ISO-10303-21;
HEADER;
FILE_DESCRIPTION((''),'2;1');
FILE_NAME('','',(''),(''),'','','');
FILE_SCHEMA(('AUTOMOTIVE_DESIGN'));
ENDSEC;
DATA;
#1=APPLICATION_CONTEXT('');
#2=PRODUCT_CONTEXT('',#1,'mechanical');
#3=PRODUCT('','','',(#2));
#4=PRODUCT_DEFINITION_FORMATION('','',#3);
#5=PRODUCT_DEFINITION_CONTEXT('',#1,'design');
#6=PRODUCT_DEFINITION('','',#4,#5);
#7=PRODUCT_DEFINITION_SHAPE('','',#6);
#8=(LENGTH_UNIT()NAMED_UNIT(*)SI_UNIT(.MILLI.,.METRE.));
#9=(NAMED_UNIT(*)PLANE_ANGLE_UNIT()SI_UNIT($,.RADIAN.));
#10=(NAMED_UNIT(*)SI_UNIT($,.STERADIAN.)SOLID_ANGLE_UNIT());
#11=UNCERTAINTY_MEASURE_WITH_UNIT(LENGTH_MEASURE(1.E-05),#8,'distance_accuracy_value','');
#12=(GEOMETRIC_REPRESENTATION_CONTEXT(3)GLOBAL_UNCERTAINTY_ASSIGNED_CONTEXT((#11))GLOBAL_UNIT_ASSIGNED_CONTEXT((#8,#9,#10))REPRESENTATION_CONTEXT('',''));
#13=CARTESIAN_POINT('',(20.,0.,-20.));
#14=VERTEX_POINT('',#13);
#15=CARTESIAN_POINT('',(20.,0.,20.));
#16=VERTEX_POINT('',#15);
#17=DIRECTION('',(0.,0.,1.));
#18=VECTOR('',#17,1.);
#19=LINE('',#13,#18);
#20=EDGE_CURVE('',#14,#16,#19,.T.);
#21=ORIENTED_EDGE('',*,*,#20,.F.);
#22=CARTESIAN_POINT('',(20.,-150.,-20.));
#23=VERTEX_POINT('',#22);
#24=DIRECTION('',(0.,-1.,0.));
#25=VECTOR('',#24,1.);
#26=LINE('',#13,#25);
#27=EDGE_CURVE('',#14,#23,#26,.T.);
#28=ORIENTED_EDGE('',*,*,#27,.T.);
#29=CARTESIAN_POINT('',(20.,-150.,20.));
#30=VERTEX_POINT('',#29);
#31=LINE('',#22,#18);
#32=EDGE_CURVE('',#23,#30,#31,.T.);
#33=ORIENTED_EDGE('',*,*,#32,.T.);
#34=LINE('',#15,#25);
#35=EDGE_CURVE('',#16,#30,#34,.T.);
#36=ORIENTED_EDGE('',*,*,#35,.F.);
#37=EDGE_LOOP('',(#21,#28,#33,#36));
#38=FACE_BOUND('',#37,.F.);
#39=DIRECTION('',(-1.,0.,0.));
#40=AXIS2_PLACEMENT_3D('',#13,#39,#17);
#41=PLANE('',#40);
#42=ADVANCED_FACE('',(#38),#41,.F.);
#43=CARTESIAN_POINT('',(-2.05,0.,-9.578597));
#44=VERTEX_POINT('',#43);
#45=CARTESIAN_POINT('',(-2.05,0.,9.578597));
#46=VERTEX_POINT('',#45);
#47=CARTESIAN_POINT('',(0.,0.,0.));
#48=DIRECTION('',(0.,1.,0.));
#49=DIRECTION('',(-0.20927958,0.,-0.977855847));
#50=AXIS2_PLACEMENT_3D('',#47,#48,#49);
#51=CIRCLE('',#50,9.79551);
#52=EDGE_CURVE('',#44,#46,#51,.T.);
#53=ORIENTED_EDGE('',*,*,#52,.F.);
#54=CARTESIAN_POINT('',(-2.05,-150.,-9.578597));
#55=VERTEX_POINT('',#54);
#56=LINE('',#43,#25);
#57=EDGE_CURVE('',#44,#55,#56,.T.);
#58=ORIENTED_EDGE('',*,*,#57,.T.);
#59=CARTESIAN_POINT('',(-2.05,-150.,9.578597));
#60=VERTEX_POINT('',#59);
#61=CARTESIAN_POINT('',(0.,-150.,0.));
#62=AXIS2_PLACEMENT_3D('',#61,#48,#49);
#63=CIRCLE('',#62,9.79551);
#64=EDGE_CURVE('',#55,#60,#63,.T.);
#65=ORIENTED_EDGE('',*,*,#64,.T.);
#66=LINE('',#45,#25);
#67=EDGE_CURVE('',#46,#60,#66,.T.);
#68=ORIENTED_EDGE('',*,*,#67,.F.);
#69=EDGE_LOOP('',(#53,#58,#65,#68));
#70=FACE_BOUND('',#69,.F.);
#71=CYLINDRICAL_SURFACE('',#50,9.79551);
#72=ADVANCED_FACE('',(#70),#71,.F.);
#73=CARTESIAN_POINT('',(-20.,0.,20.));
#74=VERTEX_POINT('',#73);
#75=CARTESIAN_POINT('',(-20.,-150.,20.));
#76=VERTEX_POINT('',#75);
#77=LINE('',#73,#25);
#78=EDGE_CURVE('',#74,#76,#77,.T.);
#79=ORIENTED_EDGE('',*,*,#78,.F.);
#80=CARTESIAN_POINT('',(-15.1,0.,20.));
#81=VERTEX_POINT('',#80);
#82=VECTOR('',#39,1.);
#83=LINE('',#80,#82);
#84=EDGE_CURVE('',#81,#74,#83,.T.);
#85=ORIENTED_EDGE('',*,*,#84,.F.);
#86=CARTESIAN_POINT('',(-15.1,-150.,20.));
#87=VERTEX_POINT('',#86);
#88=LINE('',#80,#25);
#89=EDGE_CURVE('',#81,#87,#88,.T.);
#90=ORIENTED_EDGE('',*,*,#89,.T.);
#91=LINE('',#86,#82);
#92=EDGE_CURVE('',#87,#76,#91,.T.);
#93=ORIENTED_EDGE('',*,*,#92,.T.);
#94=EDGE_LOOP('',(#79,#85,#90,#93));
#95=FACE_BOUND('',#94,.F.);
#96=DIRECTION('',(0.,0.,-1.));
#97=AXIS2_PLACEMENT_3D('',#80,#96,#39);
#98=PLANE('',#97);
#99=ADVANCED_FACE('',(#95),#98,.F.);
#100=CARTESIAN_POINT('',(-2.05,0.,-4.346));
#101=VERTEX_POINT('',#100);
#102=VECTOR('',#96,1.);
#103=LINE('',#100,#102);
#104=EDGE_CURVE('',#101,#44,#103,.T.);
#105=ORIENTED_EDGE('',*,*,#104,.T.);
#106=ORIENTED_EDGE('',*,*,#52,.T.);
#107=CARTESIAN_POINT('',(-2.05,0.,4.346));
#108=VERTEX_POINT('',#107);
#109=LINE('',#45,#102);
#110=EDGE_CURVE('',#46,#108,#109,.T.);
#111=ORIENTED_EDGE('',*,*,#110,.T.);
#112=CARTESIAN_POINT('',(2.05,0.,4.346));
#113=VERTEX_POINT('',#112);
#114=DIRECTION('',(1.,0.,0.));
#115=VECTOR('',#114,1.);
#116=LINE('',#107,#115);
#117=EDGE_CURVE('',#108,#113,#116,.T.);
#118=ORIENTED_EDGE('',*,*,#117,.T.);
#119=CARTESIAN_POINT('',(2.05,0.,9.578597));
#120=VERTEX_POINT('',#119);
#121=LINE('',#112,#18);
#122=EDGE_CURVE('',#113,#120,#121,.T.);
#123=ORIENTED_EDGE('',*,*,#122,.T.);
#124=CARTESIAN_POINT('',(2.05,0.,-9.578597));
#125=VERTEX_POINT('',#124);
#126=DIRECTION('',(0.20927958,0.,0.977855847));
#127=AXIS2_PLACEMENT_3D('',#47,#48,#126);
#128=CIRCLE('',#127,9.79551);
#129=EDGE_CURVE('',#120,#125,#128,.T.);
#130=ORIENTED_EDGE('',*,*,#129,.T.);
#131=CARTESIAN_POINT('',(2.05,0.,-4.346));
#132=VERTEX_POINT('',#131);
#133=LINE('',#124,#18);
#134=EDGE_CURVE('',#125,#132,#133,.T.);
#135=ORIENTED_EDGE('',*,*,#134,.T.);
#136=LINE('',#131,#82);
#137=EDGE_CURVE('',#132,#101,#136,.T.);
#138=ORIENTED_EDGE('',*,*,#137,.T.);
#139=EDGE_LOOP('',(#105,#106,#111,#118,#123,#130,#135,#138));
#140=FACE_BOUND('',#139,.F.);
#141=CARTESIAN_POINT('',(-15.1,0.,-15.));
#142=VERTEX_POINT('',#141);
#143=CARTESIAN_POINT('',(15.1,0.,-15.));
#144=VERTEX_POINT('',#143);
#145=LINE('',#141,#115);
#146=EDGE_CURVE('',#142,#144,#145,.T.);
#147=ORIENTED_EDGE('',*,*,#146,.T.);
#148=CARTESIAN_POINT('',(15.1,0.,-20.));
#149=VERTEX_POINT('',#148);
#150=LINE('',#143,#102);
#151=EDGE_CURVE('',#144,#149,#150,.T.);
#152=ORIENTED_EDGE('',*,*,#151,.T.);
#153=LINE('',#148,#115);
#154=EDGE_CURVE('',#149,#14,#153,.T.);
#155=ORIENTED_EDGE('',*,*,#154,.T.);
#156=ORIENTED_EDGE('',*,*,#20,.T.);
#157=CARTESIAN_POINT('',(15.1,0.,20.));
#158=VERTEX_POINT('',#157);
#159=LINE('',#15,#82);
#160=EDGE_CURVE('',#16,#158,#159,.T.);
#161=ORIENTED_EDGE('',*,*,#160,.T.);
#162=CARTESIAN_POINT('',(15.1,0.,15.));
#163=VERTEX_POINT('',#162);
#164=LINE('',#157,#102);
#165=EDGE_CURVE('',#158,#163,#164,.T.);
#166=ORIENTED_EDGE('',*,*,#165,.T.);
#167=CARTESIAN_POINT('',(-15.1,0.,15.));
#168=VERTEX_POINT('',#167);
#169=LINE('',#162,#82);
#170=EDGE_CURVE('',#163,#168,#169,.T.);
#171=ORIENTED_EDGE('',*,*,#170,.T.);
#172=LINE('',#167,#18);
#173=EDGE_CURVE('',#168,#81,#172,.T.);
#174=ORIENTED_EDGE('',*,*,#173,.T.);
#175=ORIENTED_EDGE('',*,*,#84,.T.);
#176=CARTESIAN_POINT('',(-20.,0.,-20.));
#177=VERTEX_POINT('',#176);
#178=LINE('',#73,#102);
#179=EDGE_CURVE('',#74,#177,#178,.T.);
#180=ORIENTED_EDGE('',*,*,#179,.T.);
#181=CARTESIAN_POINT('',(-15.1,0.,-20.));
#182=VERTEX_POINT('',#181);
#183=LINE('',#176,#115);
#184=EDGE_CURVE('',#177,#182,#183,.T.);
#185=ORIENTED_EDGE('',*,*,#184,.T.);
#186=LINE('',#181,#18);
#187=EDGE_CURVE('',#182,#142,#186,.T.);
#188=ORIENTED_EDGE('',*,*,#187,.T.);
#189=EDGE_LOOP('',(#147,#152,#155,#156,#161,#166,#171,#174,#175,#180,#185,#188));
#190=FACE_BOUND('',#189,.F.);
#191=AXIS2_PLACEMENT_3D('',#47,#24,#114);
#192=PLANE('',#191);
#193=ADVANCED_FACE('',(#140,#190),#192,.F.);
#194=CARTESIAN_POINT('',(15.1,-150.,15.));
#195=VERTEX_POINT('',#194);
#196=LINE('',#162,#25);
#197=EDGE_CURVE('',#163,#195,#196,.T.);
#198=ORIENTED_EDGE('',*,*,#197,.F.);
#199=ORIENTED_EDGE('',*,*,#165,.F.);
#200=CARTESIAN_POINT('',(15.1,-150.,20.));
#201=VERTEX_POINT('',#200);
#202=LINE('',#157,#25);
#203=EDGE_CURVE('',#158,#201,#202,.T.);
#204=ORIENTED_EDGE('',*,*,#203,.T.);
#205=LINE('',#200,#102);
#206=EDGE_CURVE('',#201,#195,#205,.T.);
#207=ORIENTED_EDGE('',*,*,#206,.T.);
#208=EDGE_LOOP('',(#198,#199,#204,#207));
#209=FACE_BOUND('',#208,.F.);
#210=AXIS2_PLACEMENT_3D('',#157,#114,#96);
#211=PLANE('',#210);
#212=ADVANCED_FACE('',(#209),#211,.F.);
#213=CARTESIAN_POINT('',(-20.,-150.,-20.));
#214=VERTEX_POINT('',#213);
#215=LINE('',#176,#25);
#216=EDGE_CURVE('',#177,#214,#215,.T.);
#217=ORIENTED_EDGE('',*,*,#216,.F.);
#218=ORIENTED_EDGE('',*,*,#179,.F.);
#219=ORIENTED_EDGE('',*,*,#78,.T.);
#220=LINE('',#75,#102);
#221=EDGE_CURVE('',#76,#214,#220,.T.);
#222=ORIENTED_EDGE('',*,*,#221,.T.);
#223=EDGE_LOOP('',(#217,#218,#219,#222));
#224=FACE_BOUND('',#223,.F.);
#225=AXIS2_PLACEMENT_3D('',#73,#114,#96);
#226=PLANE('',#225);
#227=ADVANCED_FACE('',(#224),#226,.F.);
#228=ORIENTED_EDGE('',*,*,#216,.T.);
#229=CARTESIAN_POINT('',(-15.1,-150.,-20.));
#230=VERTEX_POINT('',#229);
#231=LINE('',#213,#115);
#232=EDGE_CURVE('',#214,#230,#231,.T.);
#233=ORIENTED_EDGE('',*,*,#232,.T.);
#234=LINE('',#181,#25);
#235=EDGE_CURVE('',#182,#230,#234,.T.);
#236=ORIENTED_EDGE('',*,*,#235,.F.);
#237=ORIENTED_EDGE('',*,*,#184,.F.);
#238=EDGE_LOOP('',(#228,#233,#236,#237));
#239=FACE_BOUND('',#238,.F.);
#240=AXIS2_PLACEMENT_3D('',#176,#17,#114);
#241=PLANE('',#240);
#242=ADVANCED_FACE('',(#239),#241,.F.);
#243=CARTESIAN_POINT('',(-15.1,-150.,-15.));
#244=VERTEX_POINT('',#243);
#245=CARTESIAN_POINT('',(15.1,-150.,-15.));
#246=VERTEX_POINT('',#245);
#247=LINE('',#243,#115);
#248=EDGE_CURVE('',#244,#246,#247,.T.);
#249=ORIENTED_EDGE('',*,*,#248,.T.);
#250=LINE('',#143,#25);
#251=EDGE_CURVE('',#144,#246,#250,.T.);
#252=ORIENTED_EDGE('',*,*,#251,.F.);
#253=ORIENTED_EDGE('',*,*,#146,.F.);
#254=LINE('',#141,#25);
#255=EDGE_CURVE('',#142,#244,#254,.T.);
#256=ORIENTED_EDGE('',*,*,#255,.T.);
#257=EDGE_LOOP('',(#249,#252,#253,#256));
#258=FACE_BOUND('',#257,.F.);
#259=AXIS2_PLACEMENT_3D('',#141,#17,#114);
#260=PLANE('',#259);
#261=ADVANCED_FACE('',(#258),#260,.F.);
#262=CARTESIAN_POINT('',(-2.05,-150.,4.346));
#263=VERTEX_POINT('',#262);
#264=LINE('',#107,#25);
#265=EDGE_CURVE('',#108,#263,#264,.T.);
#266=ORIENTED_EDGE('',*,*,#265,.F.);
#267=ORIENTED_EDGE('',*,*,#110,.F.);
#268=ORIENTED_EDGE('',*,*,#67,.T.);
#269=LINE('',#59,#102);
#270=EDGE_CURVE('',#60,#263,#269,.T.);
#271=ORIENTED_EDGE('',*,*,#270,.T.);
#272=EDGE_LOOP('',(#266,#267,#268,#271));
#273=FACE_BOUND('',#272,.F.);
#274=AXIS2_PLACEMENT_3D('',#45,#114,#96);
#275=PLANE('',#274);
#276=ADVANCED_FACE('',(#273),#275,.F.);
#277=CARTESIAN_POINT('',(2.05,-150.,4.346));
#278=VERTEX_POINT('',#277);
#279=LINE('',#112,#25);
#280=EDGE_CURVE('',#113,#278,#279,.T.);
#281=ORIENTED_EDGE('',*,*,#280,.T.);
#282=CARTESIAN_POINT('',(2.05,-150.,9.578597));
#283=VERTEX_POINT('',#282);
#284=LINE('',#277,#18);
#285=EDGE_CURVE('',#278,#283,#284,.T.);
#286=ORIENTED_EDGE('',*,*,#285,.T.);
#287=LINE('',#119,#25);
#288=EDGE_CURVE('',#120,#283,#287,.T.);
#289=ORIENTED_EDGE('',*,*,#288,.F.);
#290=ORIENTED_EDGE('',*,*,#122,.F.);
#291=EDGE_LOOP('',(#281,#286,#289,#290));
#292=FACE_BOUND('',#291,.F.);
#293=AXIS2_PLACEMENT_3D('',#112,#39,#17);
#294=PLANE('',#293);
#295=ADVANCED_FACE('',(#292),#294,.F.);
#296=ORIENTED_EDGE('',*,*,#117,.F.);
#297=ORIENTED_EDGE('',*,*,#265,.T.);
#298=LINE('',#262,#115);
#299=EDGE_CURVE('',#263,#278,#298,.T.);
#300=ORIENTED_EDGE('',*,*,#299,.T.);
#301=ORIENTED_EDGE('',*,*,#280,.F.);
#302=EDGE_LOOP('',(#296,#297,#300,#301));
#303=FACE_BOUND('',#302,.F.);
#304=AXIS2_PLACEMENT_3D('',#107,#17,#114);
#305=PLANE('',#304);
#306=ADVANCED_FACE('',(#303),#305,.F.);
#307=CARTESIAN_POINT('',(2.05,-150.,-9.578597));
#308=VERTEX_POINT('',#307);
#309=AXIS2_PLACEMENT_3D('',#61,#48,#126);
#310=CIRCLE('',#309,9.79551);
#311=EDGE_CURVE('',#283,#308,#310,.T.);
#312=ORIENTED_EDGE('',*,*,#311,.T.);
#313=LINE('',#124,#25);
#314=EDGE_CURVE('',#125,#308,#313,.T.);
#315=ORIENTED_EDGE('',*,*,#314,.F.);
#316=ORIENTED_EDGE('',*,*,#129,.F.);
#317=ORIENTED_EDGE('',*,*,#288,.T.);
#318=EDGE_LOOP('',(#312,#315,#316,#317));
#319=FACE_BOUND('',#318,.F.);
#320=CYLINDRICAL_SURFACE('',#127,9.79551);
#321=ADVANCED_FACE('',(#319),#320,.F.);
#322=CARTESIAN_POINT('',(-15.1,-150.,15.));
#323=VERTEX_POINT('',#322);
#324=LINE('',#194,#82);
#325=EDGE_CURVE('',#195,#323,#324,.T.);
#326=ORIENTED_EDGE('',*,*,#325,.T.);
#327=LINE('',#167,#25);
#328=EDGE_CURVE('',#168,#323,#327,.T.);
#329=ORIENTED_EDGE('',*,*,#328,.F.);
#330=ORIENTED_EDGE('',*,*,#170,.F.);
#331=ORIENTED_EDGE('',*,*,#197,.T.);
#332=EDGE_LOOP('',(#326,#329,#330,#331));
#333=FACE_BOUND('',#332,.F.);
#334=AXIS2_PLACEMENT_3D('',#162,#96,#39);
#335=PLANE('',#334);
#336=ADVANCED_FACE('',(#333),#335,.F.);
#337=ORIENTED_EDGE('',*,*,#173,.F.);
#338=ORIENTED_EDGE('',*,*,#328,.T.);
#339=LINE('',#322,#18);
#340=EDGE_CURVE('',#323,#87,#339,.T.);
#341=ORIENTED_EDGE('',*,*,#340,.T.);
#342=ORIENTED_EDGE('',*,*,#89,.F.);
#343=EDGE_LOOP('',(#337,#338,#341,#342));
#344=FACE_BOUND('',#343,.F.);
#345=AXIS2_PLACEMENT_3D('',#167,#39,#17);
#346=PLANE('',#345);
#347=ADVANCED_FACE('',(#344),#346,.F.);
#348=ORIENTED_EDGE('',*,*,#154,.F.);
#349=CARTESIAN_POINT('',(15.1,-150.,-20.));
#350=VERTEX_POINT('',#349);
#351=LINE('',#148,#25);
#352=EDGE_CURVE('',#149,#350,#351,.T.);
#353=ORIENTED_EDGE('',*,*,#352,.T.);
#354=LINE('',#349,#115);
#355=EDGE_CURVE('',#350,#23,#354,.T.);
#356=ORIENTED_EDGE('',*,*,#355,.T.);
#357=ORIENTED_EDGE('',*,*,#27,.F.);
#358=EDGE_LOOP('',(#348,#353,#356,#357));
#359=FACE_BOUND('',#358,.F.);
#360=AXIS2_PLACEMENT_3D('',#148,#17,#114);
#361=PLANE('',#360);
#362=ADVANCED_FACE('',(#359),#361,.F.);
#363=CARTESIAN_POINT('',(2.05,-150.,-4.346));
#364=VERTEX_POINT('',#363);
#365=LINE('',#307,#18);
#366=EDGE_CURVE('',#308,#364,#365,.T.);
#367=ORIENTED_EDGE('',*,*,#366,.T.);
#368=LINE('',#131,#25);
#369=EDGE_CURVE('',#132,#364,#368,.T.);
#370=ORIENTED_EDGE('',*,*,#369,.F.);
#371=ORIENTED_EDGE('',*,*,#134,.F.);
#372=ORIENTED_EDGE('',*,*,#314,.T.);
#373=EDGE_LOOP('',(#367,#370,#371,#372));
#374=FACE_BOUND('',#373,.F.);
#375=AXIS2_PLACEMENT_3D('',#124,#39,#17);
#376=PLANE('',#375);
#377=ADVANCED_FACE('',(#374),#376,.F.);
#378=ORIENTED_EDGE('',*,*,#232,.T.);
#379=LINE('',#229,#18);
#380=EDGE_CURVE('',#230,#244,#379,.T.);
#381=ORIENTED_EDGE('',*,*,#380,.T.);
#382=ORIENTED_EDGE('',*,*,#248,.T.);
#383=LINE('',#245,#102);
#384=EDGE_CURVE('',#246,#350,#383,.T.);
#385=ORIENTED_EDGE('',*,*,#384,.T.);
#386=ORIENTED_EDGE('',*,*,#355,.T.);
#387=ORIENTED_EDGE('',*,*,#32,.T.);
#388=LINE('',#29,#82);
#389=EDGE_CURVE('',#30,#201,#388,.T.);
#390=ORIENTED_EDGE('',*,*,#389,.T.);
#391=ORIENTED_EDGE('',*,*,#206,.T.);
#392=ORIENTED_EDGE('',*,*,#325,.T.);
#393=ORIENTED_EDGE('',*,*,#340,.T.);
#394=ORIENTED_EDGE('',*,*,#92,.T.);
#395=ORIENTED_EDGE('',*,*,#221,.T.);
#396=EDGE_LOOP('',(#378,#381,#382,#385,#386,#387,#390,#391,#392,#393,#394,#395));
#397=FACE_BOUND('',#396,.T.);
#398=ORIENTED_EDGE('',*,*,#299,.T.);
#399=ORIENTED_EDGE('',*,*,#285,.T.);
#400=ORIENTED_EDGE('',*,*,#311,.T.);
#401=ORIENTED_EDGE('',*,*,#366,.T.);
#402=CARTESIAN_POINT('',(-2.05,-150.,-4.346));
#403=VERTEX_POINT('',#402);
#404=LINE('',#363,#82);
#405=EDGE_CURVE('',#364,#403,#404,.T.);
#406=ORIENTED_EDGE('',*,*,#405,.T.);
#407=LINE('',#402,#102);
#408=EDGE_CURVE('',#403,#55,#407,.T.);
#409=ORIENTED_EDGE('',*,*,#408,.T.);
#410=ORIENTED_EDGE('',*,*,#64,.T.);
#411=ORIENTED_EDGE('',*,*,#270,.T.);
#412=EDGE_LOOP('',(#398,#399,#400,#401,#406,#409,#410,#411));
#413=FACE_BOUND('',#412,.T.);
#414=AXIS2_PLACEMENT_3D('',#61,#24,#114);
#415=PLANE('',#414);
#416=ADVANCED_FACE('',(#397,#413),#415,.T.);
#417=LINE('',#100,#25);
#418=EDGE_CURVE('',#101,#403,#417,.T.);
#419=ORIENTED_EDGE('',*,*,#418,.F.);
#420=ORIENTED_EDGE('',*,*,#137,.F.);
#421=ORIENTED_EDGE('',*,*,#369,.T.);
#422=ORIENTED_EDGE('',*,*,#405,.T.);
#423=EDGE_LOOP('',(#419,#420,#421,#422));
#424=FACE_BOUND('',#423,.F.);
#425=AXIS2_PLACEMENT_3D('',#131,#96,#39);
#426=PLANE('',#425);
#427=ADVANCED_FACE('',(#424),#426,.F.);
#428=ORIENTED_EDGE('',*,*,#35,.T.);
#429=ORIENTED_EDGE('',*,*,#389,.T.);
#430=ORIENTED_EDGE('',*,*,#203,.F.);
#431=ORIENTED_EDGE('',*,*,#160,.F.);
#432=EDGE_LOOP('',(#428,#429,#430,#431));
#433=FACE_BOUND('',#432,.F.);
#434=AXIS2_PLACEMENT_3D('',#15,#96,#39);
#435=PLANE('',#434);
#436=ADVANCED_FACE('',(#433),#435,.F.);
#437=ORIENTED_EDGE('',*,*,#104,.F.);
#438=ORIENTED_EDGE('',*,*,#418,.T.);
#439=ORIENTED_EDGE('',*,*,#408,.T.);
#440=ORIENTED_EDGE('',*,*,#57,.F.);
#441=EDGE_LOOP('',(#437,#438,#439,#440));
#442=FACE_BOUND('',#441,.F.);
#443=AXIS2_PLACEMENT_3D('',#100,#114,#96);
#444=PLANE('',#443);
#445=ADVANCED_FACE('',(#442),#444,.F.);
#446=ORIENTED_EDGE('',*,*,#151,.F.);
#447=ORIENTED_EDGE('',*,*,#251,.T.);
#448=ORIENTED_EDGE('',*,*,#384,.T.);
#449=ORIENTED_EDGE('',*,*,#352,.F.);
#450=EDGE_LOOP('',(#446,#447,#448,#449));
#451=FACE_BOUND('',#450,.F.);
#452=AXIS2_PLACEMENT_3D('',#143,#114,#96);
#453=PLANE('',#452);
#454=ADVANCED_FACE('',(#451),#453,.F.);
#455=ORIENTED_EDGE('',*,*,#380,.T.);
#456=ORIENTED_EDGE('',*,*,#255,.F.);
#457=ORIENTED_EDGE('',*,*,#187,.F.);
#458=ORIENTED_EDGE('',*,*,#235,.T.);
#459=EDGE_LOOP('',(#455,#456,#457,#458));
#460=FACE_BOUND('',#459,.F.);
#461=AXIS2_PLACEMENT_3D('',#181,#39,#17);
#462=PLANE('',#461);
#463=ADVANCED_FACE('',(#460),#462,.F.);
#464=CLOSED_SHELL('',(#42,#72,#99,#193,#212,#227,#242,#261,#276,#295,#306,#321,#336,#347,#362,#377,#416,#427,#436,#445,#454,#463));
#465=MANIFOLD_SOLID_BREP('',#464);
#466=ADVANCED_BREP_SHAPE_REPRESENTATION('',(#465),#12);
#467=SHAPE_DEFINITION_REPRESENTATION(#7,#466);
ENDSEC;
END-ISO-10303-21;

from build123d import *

# Parameters (mm, degrees)
F1_DEPTH = 150


with BuildPart() as f1:
    # F0 (on Front) → F1 (new body)
    with BuildSketch(Plane.XZ):
        Polygon((20, -20), (20, 20), (15.1, 20), (15.1, 15), (-15.1, 15), (-15.1, 20), (-20, 20), (-20, -20), (-15.1, -20), (-15.1, -15), (15.1, -15), (15.1, -20), align=None)
        with BuildLine():
            ThreePointArc((2.05, 9.578597), (9.79551, 0), (2.05, -9.578597))
            Line((2.05, -9.578597), (2.05, -4.346))
            Line((2.05, -4.346), (-2.05, -4.346))
            Line((-2.05, -4.346), (-2.05, -9.578597))
            ThreePointArc((-2.05, -9.578597), (-9.79551, 0), (-2.05, 9.578597))
            Line((-2.05, 9.578597), (-2.05, 4.346))
            Line((-2.05, 4.346), (2.05, 4.346))
            Line((2.05, 4.346), (2.05, 9.578597))
        make_face(mode=Mode.SUBTRACT)
    extrude(amount=F1_DEPTH)


solid = f1.part
